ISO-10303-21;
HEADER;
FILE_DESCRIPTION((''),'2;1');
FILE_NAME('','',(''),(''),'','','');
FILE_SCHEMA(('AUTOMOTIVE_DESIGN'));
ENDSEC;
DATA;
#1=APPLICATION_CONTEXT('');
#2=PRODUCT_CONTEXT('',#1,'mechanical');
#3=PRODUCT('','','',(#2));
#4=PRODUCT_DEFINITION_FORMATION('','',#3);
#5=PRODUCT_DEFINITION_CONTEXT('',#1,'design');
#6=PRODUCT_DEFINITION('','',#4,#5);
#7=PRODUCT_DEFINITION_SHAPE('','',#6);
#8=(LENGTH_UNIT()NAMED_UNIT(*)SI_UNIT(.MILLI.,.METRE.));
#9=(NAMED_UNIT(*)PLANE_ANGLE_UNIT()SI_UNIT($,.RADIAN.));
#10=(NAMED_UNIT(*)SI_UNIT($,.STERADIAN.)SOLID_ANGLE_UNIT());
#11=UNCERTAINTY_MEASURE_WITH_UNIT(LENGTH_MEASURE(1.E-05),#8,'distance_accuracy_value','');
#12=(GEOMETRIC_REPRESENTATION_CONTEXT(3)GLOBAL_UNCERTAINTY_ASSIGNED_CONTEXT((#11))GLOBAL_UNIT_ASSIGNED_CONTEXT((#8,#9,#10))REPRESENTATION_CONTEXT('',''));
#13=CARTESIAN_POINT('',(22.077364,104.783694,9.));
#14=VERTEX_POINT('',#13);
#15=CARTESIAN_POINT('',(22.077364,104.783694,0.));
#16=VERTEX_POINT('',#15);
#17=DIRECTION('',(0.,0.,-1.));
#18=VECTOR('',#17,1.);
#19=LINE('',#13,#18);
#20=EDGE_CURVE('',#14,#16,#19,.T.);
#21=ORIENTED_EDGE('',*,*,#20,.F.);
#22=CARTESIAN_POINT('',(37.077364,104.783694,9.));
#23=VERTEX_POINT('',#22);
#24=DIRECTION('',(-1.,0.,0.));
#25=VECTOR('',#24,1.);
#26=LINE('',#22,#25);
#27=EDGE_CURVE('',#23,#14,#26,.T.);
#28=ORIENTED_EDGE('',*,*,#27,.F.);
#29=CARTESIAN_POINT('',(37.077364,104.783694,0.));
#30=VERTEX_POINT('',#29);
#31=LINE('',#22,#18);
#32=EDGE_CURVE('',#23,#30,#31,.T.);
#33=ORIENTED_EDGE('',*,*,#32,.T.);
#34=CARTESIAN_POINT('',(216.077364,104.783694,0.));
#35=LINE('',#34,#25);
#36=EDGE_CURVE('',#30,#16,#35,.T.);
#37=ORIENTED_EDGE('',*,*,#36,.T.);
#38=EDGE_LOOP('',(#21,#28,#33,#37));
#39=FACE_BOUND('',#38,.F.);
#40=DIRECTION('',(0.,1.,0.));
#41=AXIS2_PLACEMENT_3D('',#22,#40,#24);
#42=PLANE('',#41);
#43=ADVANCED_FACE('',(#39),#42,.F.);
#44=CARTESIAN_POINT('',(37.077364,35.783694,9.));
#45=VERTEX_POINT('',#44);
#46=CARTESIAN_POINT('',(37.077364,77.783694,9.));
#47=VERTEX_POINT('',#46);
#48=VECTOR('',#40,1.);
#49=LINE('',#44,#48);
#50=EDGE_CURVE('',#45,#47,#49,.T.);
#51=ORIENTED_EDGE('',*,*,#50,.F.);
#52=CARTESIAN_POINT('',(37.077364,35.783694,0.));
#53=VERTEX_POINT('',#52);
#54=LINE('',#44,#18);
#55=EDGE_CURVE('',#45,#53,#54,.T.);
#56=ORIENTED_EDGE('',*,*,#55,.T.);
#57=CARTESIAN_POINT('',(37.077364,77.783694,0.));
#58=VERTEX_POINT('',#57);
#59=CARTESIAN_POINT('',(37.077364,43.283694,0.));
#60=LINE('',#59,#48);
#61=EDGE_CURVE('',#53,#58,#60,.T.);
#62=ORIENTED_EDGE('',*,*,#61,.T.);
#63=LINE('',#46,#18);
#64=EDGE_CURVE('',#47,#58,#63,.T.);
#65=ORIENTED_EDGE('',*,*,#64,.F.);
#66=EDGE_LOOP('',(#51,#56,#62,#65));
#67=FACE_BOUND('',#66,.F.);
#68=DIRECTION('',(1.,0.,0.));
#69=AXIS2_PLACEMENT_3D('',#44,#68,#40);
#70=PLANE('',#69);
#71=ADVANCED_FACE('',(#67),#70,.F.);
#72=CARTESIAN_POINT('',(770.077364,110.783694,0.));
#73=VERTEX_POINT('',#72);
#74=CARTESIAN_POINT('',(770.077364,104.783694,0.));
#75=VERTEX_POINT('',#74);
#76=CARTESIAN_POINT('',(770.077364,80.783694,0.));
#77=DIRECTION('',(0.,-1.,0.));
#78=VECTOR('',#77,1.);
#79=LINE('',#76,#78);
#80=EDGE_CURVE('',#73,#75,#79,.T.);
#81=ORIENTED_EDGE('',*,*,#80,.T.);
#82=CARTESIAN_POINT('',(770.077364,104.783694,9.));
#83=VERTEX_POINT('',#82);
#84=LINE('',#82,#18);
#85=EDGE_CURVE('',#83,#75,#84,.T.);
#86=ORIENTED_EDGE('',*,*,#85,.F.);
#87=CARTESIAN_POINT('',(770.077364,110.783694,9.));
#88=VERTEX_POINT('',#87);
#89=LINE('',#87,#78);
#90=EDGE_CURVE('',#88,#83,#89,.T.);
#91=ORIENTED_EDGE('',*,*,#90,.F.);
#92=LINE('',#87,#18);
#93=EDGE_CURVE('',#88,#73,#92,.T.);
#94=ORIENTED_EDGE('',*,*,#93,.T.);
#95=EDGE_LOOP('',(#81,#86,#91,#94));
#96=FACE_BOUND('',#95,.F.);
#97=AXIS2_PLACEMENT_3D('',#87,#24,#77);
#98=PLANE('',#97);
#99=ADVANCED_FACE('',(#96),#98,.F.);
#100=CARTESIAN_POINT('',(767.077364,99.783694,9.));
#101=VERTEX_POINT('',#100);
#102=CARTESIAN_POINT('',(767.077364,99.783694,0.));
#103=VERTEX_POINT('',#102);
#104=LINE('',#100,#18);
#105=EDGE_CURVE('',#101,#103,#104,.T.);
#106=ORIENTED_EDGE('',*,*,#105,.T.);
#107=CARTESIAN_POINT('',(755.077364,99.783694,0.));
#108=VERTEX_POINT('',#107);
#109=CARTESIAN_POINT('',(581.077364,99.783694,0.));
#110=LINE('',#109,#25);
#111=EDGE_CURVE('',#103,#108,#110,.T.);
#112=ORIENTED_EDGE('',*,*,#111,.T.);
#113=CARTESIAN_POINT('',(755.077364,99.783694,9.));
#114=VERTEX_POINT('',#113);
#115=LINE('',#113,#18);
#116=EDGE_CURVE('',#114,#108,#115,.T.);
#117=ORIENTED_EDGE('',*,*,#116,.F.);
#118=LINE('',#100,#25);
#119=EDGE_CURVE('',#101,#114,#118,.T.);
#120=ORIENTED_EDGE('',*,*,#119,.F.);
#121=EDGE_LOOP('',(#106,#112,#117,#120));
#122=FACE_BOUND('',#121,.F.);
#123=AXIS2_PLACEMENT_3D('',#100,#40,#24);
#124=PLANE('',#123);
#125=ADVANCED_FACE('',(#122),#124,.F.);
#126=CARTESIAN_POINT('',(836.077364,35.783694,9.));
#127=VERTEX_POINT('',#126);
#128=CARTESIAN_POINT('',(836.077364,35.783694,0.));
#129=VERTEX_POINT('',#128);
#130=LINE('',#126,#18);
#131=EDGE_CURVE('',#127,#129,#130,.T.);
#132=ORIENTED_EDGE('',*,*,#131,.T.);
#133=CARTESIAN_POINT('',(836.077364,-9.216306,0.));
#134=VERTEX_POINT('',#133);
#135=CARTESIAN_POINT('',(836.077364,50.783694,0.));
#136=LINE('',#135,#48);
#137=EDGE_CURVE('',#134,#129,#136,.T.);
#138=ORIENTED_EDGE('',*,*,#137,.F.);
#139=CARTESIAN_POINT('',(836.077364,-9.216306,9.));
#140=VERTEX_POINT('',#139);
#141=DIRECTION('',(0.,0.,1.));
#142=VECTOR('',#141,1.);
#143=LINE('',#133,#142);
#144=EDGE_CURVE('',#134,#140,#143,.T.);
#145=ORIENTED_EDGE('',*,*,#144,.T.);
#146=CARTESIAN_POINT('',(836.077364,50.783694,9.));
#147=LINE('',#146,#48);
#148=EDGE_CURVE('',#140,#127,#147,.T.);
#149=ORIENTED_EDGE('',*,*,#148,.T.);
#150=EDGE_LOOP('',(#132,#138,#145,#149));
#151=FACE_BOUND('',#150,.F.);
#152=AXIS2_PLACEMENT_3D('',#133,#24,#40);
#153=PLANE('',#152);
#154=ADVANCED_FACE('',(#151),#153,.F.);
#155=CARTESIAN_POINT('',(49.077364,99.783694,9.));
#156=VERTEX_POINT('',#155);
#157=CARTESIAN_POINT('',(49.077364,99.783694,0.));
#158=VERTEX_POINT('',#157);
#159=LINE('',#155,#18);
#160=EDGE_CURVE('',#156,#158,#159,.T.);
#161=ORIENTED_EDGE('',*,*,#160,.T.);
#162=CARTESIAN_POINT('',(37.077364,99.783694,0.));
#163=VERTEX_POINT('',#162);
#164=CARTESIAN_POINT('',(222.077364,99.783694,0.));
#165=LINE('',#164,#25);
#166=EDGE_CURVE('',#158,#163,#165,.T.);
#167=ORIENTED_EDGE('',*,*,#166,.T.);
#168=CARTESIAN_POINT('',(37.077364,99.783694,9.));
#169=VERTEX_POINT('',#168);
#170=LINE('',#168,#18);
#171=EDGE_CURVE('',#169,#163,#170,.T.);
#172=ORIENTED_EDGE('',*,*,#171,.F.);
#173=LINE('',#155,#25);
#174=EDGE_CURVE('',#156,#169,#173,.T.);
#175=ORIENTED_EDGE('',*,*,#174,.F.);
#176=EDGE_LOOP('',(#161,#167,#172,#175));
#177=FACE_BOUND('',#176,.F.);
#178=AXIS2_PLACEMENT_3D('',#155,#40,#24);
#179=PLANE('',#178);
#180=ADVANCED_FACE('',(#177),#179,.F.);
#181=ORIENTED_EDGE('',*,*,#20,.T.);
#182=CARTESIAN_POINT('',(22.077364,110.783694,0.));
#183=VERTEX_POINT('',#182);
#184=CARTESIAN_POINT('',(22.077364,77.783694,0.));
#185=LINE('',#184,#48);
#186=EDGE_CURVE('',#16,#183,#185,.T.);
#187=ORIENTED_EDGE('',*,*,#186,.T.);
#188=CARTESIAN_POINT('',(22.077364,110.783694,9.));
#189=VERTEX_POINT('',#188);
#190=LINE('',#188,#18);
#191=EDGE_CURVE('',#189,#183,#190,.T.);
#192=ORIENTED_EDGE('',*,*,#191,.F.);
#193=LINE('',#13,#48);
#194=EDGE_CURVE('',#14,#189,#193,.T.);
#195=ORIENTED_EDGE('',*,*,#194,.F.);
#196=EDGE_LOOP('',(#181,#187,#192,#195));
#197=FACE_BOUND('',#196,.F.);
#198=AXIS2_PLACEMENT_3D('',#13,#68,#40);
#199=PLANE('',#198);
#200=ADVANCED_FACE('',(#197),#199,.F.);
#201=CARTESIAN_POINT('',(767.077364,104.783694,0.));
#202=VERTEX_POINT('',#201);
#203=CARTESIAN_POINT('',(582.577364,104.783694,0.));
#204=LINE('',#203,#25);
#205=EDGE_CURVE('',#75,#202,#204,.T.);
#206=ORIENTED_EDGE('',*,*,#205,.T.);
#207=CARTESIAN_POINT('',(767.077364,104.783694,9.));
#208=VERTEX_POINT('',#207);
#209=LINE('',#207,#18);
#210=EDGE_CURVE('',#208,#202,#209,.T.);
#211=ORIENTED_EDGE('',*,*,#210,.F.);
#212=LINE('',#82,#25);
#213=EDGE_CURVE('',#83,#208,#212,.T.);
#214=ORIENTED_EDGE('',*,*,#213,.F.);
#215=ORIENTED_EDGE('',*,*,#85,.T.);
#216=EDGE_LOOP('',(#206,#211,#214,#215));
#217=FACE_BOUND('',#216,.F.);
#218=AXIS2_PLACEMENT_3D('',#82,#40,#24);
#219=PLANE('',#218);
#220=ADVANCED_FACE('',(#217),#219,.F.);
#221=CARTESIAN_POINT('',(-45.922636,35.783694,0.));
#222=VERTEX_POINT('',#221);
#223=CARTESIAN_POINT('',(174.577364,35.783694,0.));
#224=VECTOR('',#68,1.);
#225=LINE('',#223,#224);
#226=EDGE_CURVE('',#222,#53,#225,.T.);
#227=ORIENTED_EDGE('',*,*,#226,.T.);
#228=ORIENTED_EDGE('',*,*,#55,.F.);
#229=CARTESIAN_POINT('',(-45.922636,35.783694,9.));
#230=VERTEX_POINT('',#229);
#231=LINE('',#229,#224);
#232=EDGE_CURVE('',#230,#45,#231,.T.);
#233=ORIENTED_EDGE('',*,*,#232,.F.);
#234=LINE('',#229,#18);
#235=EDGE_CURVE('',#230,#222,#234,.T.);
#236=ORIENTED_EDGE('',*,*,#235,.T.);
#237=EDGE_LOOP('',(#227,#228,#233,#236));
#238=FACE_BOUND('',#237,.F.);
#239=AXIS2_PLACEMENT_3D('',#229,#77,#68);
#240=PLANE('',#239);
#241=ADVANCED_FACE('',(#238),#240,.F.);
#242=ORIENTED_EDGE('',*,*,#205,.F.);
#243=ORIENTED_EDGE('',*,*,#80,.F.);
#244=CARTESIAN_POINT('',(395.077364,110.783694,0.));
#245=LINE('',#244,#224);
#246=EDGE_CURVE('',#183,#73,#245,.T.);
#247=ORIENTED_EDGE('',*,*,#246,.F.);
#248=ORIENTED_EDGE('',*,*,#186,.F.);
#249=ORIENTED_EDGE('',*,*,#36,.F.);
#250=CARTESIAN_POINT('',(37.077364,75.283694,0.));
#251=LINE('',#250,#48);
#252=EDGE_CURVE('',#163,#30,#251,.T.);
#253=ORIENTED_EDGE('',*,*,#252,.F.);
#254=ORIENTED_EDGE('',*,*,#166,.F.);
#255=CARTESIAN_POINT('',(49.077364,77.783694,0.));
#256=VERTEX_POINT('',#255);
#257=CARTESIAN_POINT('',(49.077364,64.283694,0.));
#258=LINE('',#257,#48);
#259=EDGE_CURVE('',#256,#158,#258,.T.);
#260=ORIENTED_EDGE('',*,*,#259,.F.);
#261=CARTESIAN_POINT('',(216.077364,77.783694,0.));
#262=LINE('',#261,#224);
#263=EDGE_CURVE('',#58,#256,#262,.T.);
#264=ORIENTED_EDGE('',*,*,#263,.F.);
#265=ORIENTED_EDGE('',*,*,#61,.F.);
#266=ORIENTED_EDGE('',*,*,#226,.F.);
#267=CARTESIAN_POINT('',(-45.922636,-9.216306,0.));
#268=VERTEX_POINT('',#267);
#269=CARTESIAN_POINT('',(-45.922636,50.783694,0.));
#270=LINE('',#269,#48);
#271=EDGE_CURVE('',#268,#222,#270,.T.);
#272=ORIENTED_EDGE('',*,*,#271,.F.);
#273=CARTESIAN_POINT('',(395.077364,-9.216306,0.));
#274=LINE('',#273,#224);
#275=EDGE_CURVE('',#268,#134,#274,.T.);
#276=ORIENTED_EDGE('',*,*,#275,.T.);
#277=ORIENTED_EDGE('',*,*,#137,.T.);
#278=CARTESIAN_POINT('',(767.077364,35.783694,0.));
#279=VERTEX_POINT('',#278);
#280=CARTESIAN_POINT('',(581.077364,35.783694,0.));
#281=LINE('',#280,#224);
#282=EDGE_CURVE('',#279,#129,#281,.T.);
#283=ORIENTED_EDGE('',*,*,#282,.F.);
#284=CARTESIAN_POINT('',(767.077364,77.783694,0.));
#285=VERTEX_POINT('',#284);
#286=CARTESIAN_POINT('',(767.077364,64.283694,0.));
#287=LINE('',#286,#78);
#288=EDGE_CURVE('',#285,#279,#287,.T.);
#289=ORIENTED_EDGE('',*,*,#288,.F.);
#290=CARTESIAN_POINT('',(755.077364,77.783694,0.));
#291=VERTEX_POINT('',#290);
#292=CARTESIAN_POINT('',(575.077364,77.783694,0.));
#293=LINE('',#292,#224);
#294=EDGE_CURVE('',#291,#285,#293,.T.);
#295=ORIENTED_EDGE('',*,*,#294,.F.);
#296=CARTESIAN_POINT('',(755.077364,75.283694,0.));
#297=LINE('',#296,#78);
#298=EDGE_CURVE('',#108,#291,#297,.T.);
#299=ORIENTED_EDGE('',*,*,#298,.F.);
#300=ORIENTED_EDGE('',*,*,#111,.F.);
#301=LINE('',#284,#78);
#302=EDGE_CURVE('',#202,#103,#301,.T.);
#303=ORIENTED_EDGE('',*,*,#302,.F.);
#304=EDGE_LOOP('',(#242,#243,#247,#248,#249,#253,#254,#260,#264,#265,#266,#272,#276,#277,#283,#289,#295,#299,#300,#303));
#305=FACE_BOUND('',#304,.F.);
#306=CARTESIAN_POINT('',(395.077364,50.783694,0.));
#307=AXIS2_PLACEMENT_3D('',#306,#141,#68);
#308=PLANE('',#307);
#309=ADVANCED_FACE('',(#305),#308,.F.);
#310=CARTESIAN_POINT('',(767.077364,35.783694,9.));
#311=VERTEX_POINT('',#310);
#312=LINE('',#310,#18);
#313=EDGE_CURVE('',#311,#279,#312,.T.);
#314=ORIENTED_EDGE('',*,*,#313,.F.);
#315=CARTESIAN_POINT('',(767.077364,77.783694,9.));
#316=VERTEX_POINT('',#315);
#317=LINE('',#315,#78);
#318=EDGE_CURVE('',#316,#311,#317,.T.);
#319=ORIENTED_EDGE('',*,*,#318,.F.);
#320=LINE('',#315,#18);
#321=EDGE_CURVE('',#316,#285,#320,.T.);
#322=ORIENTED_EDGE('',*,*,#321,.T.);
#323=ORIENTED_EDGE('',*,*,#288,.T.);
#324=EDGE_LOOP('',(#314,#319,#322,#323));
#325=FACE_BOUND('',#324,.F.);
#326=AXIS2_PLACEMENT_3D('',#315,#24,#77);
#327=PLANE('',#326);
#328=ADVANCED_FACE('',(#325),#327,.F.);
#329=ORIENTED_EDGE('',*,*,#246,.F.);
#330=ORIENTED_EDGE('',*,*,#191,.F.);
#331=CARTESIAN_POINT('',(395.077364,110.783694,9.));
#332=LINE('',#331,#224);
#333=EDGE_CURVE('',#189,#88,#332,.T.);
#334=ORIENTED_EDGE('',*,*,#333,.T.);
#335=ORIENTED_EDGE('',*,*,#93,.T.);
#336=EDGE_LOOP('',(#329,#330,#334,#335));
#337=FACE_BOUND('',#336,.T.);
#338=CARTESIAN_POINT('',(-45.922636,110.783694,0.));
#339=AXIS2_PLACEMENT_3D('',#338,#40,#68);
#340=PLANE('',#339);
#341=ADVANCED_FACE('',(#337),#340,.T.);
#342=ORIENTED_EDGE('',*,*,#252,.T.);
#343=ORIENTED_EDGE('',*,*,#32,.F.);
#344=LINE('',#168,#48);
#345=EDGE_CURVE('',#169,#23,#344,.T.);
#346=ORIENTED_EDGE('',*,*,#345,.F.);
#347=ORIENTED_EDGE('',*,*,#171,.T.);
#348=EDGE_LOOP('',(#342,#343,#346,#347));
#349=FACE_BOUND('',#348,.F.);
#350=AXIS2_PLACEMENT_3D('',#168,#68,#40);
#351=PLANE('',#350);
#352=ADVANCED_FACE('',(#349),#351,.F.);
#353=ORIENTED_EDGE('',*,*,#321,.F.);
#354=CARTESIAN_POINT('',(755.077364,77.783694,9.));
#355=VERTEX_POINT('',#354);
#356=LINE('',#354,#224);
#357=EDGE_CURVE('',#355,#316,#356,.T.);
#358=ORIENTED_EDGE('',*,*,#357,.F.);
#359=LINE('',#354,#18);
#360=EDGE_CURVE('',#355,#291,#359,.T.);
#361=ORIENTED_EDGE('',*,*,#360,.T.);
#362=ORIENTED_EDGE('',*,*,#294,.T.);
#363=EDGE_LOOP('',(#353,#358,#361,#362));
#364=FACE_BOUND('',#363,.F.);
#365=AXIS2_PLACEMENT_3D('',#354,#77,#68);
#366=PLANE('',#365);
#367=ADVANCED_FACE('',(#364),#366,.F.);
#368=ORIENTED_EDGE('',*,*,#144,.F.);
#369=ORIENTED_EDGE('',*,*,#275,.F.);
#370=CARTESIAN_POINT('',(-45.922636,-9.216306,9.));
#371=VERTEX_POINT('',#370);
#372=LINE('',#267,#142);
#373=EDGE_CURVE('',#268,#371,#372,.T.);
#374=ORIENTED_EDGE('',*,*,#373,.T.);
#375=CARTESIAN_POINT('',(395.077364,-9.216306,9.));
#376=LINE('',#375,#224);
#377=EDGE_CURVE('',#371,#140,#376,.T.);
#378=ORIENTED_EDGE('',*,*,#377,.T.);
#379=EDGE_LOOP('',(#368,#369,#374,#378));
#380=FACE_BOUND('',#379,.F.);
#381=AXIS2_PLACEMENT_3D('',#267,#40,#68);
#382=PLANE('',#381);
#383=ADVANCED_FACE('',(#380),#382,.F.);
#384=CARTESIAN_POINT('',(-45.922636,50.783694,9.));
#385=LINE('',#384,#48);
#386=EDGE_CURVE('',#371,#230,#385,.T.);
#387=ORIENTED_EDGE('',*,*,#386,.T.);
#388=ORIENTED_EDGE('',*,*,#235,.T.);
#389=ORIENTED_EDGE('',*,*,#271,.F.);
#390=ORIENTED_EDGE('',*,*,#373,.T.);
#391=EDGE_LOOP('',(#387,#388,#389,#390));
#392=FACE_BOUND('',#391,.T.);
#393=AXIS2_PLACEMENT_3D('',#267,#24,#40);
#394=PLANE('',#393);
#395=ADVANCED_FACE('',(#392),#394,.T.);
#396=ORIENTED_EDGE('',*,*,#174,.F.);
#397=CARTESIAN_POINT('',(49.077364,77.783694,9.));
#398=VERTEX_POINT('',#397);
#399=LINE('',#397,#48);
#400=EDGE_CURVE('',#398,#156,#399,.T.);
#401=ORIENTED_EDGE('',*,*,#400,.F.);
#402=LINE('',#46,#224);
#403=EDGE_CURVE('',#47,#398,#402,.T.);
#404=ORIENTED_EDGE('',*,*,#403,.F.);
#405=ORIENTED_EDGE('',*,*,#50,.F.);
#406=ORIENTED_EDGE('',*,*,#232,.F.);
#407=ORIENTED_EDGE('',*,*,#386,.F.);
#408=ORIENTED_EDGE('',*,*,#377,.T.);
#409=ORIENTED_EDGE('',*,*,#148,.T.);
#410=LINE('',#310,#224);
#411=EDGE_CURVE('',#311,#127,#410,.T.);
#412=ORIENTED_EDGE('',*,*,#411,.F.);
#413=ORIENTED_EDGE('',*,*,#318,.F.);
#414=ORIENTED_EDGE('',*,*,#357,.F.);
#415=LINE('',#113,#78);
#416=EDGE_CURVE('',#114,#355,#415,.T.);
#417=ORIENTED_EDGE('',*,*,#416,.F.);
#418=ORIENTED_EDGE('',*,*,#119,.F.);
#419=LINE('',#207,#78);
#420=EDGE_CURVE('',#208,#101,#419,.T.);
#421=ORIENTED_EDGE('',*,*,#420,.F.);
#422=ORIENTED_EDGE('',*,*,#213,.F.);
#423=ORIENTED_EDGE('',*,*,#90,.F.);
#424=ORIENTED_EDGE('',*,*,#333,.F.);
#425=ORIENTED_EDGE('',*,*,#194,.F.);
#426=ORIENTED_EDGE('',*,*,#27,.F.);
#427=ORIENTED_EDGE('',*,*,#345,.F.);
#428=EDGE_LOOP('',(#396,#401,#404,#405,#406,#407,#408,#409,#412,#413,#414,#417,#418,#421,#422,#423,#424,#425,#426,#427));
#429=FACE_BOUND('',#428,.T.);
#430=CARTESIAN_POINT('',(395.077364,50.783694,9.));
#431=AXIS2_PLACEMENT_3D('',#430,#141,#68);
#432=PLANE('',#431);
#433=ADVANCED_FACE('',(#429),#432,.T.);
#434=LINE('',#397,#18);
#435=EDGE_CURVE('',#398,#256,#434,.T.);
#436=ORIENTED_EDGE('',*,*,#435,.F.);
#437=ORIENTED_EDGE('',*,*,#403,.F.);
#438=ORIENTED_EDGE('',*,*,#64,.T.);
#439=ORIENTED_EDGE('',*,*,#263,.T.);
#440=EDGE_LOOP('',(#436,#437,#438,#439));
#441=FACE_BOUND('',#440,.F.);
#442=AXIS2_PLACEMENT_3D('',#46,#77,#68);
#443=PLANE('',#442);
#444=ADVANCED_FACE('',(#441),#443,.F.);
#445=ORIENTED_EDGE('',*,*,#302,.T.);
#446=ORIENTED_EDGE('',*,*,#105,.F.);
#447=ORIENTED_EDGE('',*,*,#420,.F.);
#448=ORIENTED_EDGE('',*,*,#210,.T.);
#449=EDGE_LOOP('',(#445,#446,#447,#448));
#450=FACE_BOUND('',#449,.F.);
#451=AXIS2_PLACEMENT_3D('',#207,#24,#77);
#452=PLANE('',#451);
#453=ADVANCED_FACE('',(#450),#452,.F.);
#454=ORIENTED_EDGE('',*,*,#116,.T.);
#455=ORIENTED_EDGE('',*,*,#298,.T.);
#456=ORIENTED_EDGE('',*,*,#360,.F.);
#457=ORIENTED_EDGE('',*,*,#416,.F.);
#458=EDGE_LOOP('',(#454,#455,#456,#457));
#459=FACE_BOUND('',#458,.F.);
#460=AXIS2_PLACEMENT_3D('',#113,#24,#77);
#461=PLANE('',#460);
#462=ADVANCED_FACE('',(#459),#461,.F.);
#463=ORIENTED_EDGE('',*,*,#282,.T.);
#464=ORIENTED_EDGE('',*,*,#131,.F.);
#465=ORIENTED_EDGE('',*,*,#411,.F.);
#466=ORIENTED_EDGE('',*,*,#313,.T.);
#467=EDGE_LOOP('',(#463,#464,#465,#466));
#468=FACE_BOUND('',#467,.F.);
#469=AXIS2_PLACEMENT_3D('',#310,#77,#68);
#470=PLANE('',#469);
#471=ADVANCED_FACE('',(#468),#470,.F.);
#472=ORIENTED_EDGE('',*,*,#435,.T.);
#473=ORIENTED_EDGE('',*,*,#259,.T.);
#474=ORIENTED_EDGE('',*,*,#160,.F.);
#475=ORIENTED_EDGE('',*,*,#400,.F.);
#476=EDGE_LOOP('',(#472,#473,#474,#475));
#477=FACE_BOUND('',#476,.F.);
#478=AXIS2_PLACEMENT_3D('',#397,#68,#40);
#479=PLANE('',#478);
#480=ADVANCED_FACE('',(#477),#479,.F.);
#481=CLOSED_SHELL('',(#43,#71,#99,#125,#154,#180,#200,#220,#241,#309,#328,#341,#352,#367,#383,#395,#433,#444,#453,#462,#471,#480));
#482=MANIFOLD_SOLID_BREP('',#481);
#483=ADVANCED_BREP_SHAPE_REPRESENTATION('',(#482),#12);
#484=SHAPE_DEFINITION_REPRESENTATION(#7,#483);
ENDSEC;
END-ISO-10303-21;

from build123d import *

# Parameters (mm, degrees)
F0_W     = 882
F0_H     = 120
F1_DEPTH = 9
F3_DEPTH = 9.001


with BuildPart() as f1:
    # F0 (on Top) → F1 (new body)
    with BuildSketch(Plane.XY):
        with Locations((395.077364, 50.783694)):
            Rectangle(F0_W, F0_H)
    extrude(amount=F1_DEPTH)

    # F2 (on face) → F3 (cut, through all)
    with BuildSketch(Plane.XY.offset(9)):
        Polygon((770.077364, 104.783694), (767.077364, 104.783694), (767.077364, 99.783694), (755.077364, 99.783694), (755.077364, 77.783694), (767.077364, 77.783694), (767.077364, 35.783694), (836.077364, 35.783694), (836.077364, 110.783694), (770.077364, 110.783694), align=None)
        Polygon((-45.922636, 35.783694), (37.077364, 35.783694), (37.077364, 77.783694), (49.077364, 77.783694), (49.077364, 99.783694), (37.077364, 99.783694), (37.077364, 104.783694), (22.077364, 104.783694), (22.077364, 110.783694), (-45.922636, 110.783694), align=None)
    extrude(amount=-F3_DEPTH, mode=Mode.SUBTRACT)


solid = f1.part
